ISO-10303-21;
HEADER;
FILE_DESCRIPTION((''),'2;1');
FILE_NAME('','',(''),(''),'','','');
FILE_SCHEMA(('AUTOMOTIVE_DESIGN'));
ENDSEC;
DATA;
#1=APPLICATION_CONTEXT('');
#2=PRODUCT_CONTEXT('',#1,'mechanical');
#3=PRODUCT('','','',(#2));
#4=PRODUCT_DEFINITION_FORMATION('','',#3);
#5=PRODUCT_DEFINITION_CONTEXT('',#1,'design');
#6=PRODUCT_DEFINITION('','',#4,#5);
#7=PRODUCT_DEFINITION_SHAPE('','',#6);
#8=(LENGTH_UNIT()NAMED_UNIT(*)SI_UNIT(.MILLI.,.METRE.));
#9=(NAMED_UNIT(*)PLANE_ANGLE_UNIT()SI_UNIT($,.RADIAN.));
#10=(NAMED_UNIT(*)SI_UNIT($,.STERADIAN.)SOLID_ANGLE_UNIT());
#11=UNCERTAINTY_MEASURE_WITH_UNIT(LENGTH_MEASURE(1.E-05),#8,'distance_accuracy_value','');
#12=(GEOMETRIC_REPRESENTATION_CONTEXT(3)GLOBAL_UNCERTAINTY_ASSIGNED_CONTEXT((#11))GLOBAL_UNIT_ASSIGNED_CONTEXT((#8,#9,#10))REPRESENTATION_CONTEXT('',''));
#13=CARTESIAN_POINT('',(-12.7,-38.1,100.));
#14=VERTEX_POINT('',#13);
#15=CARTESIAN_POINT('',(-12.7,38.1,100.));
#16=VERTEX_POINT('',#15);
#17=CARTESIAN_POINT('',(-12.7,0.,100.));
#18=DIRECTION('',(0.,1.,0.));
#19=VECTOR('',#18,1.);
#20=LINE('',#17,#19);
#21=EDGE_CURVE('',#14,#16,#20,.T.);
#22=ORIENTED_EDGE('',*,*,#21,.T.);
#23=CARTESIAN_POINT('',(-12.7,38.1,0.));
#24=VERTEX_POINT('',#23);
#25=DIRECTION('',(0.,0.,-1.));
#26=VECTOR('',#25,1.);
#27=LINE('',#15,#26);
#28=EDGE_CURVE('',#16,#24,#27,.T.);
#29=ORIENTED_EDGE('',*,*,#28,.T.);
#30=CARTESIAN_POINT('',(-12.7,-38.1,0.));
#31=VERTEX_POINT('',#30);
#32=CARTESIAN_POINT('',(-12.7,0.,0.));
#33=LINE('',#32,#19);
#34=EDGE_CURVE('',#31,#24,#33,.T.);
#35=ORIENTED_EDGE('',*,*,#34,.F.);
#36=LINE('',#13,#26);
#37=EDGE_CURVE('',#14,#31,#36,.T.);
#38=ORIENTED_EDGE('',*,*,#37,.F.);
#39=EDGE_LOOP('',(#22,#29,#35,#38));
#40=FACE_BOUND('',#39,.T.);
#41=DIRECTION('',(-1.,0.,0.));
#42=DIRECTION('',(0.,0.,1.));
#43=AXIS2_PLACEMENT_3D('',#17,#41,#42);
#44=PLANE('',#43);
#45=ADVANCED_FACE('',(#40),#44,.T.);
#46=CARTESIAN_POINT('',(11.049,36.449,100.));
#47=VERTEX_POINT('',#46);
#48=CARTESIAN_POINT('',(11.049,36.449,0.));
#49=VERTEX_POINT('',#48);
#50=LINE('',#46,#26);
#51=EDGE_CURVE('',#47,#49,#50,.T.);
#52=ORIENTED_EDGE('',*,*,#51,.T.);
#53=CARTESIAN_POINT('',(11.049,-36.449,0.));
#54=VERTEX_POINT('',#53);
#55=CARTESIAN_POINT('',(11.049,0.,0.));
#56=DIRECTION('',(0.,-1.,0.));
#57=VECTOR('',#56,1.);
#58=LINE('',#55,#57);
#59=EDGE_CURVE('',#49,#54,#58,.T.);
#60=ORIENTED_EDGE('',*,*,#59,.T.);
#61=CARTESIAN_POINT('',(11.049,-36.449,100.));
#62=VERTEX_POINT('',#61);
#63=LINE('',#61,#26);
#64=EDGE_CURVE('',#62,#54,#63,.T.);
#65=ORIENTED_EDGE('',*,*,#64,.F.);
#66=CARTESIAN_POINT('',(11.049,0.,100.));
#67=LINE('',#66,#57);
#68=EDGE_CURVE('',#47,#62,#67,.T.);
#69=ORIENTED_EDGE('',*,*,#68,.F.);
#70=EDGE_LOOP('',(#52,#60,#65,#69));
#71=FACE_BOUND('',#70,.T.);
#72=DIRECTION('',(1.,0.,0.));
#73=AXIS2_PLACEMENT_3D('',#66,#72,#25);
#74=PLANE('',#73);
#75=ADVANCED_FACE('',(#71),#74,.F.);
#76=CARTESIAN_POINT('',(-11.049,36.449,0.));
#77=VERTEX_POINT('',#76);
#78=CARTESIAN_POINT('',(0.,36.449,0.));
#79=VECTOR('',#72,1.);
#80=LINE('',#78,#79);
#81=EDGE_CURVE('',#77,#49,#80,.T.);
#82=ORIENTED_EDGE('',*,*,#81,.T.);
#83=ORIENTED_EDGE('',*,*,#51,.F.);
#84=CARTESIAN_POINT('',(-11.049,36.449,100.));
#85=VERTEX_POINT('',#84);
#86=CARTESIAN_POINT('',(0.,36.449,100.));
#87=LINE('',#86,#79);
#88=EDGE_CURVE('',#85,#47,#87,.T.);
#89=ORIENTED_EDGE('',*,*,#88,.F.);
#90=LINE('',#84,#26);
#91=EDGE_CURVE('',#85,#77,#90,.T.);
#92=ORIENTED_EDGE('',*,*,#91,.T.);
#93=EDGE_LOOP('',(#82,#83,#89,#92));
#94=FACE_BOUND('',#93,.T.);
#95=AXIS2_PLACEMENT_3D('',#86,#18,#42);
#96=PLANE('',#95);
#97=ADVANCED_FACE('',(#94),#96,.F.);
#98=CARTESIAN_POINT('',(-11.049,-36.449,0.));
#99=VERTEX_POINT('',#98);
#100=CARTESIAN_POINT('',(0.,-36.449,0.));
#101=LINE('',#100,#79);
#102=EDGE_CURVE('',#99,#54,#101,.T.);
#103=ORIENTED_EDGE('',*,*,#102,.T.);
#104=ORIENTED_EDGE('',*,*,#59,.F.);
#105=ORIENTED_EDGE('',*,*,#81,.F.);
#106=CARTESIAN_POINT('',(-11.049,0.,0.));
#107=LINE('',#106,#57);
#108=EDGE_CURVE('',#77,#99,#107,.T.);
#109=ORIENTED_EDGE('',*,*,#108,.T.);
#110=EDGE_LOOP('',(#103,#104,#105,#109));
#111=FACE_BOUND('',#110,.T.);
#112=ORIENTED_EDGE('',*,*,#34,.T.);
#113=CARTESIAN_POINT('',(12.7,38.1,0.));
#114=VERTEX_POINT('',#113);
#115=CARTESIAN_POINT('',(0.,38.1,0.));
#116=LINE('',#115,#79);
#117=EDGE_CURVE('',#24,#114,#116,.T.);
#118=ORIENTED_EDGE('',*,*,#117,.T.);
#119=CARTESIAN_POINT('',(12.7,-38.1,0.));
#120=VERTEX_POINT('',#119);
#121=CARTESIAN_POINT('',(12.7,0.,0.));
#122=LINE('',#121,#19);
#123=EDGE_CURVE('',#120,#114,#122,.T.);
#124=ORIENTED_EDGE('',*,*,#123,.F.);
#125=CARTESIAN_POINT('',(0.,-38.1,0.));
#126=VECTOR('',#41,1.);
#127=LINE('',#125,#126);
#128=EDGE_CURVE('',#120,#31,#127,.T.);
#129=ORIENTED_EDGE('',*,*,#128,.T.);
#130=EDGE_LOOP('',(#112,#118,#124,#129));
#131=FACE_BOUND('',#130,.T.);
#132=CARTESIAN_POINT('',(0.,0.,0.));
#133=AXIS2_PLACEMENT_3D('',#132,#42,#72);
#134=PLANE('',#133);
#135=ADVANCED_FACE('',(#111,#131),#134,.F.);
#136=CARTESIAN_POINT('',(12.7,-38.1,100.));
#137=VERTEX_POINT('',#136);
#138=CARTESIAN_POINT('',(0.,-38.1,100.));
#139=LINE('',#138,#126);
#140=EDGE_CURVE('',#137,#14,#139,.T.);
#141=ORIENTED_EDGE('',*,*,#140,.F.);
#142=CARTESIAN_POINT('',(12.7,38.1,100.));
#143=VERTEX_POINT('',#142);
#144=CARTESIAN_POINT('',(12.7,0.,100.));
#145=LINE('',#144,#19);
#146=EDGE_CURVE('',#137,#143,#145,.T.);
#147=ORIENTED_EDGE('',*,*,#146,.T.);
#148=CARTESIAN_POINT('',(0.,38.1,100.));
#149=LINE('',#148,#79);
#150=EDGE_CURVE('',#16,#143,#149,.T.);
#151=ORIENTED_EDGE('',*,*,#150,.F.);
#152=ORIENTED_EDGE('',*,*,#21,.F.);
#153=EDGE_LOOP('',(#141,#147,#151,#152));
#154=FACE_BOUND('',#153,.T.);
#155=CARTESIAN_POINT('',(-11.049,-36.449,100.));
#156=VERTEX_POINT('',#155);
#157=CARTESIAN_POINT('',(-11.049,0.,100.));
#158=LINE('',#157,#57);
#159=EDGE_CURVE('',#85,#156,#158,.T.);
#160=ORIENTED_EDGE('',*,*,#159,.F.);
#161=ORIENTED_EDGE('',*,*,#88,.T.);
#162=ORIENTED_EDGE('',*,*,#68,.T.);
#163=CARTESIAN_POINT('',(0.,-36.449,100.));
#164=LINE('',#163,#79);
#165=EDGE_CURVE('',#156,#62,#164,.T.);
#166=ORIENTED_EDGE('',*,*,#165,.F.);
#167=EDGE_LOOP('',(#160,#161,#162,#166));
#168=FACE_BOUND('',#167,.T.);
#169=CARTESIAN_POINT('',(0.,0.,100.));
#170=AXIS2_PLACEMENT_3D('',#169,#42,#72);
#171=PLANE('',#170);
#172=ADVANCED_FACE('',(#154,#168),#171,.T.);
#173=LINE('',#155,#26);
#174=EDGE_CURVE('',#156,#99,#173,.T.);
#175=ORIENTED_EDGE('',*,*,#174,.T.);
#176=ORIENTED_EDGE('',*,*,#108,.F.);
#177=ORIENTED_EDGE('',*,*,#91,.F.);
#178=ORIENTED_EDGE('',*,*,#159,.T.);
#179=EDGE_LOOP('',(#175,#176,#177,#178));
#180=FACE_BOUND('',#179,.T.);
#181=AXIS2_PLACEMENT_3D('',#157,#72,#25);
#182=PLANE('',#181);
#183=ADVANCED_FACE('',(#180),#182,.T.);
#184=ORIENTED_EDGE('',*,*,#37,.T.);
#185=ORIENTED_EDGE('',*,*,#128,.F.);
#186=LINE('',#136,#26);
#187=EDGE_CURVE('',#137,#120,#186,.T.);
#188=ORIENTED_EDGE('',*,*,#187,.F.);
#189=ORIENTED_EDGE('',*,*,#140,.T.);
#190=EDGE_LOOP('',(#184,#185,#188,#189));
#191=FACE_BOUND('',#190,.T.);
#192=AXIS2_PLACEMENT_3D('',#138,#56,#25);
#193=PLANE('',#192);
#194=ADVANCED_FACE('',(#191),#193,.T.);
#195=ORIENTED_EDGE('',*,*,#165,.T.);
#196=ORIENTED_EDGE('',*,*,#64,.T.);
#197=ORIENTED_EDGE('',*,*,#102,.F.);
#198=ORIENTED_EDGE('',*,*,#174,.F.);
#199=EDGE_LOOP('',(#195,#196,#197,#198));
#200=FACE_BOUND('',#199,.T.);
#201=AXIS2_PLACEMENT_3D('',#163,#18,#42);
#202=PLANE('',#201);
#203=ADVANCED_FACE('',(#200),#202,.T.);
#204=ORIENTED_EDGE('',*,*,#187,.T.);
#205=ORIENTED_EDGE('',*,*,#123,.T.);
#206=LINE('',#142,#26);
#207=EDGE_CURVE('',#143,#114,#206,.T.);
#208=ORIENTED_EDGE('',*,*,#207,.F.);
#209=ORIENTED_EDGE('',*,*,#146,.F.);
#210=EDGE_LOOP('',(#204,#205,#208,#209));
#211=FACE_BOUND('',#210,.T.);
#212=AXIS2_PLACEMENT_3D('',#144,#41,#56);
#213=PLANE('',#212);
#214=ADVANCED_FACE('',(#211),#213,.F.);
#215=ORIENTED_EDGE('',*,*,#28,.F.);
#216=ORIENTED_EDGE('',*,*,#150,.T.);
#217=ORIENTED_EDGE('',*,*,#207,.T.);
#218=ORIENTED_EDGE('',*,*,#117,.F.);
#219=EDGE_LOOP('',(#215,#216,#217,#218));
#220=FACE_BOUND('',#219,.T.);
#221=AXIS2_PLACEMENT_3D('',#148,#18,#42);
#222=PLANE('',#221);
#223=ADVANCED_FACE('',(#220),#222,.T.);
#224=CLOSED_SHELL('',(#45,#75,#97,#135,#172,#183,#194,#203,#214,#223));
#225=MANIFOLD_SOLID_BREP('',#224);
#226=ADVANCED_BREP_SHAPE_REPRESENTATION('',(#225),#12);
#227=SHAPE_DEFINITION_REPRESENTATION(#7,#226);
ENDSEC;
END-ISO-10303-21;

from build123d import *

# Parameters (mm, degrees)
SKETCH2_W           = 11.049
SKETCH2_H           = 1.651
SKETCH2_W_2         = 1.651
SKETCH2_H_2         = 36.449
BOSS_EXTRUDE1_DEPTH = 100


with BuildPart() as part:
    # Sketch2 → Boss-Extrude1 (new body)
    with BuildSketch(Plane.XY):
        Polygon((-12.7, 0), (-11.049, 0), (-11.049, 36.449), (-11.049, 38.1), (-12.7, 38.1), align=None)
        with Locations((-5.5245, 37.2745)):
            Rectangle(SKETCH2_W, SKETCH2_H)
        Polygon((0, 38.1), (0, 36.449), (11.049, 36.449), (11.049, 0), (12.7, 0), (12.7, 38.1), align=None)
        with Locations((11.8745, -18.2245)):
            Rectangle(SKETCH2_W_2, SKETCH2_H_2)
        Polygon((-11.049, -36.449), (-11.049, 0), (-12.7, 0), (-12.7, -38.1), (0, -38.1), (0, -36.449), align=None)
        Polygon((11.049, -36.449), (0, -36.449), (0, -38.1), (12.7, -38.1), (12.7, -36.449), align=None)
    extrude(amount=BOSS_EXTRUDE1_DEPTH)


solid = part.part
